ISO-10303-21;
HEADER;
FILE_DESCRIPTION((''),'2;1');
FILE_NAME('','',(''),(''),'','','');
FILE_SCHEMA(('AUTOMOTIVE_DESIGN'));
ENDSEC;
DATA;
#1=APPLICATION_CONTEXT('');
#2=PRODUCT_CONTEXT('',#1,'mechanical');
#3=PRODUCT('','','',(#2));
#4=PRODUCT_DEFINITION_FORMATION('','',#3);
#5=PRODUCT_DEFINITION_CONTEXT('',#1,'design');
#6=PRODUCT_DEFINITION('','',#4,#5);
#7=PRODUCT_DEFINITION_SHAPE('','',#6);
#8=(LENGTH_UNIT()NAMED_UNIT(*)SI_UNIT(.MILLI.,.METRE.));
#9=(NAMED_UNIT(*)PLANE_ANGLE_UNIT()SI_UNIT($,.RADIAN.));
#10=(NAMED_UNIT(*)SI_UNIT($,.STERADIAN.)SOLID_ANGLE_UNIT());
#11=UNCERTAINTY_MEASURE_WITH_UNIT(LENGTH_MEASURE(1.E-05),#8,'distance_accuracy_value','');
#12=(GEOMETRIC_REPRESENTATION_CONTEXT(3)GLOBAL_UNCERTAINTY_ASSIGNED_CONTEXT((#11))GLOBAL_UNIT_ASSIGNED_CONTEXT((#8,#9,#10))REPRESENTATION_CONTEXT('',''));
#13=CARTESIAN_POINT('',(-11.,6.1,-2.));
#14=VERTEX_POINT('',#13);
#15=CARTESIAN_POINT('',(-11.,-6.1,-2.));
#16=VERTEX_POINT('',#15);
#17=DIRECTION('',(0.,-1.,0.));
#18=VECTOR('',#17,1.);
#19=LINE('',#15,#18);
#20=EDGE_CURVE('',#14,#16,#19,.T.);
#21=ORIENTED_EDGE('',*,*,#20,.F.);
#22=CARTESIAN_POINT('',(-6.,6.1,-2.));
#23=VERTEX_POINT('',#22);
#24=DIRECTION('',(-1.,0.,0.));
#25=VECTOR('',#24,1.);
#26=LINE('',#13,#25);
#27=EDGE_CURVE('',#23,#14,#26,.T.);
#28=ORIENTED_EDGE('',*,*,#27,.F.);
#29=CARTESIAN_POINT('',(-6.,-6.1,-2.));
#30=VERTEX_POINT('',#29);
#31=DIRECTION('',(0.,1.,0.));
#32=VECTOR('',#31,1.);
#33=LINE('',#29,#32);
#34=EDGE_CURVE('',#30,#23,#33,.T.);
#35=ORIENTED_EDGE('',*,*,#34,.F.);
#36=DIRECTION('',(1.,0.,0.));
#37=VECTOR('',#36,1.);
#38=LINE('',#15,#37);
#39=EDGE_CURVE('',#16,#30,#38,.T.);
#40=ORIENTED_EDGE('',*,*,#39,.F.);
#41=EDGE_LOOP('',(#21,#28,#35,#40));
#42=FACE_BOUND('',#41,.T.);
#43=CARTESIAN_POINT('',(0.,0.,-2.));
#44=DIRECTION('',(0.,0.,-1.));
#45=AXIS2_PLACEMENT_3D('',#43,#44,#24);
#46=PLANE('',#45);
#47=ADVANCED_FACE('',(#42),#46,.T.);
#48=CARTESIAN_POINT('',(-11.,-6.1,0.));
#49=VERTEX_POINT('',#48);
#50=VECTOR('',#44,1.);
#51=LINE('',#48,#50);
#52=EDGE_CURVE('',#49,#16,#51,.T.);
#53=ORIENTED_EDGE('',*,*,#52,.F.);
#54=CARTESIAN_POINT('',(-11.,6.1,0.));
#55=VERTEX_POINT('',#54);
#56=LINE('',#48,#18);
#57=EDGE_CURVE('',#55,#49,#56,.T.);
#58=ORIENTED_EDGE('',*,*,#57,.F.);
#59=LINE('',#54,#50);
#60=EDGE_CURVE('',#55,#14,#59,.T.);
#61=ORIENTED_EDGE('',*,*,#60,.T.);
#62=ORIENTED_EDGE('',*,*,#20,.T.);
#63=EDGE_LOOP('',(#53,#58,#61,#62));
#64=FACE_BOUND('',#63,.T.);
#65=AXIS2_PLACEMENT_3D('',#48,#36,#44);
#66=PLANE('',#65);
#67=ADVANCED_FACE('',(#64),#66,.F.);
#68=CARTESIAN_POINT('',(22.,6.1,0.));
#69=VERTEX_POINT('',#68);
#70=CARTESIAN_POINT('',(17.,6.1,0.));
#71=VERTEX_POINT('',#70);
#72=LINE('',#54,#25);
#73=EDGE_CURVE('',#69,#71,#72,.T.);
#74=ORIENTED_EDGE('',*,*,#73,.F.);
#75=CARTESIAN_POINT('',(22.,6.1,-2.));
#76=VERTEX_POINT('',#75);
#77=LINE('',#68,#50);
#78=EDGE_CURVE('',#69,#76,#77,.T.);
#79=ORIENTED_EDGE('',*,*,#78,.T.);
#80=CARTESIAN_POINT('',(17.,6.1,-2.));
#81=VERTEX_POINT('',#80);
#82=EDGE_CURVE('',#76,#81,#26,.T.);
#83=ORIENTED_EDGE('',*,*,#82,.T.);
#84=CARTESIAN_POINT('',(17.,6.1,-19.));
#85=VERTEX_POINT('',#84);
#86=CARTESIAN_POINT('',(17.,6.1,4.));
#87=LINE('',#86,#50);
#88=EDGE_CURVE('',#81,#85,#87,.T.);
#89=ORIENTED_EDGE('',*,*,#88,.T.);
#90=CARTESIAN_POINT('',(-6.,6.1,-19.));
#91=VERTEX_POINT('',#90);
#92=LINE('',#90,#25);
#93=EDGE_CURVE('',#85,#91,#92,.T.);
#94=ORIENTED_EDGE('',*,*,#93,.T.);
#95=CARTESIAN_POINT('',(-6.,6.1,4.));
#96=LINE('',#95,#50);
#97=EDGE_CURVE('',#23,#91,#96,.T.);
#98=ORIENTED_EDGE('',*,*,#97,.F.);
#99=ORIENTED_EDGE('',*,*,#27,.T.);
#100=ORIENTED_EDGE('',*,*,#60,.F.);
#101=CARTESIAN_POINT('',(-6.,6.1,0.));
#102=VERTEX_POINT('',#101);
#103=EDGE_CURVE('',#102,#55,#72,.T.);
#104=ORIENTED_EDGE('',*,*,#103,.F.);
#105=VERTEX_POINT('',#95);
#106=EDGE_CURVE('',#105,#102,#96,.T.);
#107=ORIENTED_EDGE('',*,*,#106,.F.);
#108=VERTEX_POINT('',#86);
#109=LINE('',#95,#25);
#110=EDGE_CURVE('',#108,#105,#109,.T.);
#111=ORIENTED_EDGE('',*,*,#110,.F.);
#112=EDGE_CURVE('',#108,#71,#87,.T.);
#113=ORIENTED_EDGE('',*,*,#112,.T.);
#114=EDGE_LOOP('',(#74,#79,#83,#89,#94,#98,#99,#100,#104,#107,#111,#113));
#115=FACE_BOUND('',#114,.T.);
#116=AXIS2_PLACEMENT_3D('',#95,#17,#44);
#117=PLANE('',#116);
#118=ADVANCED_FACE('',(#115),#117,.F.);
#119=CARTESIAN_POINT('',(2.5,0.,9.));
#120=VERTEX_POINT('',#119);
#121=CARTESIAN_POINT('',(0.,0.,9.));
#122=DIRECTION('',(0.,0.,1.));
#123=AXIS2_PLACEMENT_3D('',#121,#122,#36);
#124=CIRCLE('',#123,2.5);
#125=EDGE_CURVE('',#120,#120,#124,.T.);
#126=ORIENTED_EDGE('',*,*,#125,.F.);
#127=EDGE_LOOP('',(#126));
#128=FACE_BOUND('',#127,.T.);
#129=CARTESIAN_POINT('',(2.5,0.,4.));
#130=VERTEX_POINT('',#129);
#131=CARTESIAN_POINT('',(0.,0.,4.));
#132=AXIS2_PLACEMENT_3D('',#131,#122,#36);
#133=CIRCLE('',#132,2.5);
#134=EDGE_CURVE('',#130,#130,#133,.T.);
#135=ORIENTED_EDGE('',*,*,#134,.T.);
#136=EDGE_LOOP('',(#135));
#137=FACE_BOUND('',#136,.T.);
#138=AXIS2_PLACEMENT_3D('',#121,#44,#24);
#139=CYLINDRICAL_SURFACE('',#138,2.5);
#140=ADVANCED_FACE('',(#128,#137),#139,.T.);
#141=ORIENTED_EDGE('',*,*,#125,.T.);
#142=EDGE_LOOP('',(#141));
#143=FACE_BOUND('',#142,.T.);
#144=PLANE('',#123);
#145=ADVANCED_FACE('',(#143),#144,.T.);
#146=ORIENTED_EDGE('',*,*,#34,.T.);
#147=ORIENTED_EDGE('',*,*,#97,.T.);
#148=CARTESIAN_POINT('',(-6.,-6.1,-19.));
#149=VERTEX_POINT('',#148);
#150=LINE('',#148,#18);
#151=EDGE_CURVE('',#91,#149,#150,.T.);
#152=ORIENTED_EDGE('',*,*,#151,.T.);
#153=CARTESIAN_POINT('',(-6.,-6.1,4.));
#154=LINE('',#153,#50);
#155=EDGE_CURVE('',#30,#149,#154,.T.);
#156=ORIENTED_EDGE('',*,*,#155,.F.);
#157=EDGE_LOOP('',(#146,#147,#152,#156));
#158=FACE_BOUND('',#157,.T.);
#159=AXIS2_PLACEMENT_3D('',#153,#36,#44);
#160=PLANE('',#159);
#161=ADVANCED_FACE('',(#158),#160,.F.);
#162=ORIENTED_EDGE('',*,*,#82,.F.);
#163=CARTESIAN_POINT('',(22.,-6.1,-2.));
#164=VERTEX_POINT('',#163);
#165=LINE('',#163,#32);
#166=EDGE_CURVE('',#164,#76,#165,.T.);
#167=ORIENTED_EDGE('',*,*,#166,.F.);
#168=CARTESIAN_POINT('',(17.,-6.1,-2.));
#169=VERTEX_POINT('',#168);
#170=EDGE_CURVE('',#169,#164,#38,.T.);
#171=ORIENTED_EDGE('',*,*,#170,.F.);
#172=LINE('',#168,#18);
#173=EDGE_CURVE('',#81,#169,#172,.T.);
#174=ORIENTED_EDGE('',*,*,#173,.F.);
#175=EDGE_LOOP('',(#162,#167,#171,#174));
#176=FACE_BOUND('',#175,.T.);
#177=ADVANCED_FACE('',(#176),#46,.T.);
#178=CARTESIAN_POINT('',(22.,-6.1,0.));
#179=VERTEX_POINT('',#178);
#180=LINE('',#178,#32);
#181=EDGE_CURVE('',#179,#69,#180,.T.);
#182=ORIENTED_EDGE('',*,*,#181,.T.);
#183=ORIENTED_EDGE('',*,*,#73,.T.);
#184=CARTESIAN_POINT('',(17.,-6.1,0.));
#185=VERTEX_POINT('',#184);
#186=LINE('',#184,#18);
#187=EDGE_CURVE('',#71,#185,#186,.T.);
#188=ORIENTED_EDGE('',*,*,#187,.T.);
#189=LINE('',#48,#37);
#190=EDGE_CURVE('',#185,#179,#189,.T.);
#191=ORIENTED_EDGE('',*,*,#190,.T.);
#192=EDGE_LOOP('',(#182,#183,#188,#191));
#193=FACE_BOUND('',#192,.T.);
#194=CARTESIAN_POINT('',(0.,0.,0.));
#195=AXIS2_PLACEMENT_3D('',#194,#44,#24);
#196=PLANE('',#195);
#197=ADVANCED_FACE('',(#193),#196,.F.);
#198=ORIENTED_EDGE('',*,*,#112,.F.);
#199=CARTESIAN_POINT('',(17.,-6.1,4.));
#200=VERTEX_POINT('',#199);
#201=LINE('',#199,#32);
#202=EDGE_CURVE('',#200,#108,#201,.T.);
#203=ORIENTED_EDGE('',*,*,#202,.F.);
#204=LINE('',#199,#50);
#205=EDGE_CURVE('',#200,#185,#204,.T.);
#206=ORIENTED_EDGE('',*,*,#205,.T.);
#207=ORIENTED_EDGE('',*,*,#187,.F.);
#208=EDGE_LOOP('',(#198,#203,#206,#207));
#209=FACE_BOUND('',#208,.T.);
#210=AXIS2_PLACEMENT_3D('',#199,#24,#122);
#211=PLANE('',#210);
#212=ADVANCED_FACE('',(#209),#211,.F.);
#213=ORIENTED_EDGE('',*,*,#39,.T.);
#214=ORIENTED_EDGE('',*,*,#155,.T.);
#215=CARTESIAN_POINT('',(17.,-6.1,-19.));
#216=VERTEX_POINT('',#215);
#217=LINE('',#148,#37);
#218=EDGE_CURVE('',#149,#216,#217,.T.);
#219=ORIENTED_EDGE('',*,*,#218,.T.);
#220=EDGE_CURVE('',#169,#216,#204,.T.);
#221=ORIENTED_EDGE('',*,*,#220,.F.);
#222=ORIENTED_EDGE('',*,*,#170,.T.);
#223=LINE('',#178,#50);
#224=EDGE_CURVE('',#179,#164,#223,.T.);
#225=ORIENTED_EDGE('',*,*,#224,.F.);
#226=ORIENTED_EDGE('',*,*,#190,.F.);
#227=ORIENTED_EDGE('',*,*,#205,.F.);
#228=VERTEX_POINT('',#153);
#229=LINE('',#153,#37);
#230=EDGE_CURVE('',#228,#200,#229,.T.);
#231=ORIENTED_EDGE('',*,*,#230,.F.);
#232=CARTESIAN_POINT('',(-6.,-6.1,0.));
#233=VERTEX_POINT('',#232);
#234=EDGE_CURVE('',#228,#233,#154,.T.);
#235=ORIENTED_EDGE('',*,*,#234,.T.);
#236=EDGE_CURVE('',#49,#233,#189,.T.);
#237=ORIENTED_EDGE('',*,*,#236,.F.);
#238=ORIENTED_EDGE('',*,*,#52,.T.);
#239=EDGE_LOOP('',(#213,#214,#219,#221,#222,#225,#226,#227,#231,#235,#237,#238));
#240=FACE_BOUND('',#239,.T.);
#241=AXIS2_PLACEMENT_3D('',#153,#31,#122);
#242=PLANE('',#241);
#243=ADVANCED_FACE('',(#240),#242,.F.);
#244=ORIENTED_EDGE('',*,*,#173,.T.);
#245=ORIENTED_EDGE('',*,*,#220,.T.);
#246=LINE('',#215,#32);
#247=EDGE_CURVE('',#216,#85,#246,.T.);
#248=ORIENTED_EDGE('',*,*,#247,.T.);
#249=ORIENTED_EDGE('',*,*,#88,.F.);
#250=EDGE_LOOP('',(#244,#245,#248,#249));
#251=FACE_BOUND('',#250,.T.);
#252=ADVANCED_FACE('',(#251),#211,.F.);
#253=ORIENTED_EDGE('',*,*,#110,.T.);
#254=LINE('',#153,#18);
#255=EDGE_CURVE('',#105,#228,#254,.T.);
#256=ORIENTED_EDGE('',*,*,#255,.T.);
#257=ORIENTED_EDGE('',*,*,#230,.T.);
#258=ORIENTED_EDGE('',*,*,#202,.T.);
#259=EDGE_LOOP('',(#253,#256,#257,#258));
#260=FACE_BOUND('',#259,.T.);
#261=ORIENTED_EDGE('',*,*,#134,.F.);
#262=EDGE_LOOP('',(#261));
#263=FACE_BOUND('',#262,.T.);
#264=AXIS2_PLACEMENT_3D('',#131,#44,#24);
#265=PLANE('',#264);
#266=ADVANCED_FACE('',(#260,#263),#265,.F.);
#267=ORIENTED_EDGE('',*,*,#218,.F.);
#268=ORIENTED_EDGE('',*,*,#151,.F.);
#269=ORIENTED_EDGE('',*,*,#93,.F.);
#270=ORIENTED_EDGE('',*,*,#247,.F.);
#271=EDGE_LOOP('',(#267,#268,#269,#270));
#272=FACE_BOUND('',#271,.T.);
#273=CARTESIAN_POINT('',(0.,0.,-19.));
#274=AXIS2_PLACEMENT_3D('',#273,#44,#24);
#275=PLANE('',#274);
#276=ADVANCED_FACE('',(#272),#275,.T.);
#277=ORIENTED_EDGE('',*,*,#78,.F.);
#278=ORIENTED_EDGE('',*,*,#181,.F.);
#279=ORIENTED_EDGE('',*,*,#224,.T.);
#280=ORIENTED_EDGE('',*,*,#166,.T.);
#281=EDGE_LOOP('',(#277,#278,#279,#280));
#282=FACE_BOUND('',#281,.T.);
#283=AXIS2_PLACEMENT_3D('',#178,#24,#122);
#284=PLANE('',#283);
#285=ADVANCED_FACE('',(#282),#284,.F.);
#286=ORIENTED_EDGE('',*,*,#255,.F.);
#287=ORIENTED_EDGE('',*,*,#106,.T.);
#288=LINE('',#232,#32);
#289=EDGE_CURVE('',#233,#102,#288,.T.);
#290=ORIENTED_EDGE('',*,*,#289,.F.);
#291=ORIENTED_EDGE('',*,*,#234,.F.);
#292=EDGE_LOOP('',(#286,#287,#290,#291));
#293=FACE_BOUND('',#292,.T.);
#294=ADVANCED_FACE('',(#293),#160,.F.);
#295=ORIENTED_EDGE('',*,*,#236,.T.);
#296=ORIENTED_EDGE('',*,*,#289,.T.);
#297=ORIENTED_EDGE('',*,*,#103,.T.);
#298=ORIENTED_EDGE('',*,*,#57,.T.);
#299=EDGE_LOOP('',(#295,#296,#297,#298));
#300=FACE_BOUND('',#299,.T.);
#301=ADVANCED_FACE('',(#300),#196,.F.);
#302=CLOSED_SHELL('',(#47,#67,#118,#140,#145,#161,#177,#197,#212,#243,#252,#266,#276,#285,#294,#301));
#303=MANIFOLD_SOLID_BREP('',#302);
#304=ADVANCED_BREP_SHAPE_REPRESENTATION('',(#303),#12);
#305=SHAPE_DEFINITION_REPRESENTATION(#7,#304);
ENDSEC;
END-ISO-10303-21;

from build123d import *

# Parameters (mm, degrees)
CASE_23X12P2X23_START                = -19
CASE_23X12P2X23_PROFILE_W            = 23
CASE_23X12P2X23_PROFILE_H            = 12.2
CASE_23X12P2X23_DEPTH                = 23
MOUNTING_EARS_33X12P2_START          = -2
MOUNTING_EARS_33X12P2_PROFILE_W      = 33
MOUNTING_EARS_33X12P2_PROFILE_H      = 12.2
MOUNTING_EARS_33X12P2_DEPTH          = 2
OUTPUT_ENVELOPE_NOT_SPLINE_START     = 4
OUTPUT_ENVELOPE_NOT_SPLINE_PROFILE_R = 2.5
OUTPUT_ENVELOPE_NOT_SPLINE_DEPTH     = 5


with BuildPart() as part:
    # Case_23x12p2x23_profile → Case_23x12p2x23 (new body)
    with BuildSketch(Plane.XY.offset(CASE_23X12P2X23_START)):
        with Locations((5.5, 0)):
            Rectangle(CASE_23X12P2X23_PROFILE_W, CASE_23X12P2X23_PROFILE_H)
    extrude(amount=CASE_23X12P2X23_DEPTH)

    # Mounting_ears_33x12p2_profile → Mounting_ears_33x12p2 (add)
    with BuildSketch(Plane.XY.offset(MOUNTING_EARS_33X12P2_START)):
        with Locations((5.5, 0)):
            Rectangle(MOUNTING_EARS_33X12P2_PROFILE_W, MOUNTING_EARS_33X12P2_PROFILE_H)
    extrude(amount=MOUNTING_EARS_33X12P2_DEPTH)

    # Output_envelope_not_spline_profile → Output_envelope_not_spline (add)
    with BuildSketch(Plane.XY.offset(OUTPUT_ENVELOPE_NOT_SPLINE_START)):
        Circle(OUTPUT_ENVELOPE_NOT_SPLINE_PROFILE_R)
    extrude(amount=OUTPUT_ENVELOPE_NOT_SPLINE_DEPTH)


solid = part.part
